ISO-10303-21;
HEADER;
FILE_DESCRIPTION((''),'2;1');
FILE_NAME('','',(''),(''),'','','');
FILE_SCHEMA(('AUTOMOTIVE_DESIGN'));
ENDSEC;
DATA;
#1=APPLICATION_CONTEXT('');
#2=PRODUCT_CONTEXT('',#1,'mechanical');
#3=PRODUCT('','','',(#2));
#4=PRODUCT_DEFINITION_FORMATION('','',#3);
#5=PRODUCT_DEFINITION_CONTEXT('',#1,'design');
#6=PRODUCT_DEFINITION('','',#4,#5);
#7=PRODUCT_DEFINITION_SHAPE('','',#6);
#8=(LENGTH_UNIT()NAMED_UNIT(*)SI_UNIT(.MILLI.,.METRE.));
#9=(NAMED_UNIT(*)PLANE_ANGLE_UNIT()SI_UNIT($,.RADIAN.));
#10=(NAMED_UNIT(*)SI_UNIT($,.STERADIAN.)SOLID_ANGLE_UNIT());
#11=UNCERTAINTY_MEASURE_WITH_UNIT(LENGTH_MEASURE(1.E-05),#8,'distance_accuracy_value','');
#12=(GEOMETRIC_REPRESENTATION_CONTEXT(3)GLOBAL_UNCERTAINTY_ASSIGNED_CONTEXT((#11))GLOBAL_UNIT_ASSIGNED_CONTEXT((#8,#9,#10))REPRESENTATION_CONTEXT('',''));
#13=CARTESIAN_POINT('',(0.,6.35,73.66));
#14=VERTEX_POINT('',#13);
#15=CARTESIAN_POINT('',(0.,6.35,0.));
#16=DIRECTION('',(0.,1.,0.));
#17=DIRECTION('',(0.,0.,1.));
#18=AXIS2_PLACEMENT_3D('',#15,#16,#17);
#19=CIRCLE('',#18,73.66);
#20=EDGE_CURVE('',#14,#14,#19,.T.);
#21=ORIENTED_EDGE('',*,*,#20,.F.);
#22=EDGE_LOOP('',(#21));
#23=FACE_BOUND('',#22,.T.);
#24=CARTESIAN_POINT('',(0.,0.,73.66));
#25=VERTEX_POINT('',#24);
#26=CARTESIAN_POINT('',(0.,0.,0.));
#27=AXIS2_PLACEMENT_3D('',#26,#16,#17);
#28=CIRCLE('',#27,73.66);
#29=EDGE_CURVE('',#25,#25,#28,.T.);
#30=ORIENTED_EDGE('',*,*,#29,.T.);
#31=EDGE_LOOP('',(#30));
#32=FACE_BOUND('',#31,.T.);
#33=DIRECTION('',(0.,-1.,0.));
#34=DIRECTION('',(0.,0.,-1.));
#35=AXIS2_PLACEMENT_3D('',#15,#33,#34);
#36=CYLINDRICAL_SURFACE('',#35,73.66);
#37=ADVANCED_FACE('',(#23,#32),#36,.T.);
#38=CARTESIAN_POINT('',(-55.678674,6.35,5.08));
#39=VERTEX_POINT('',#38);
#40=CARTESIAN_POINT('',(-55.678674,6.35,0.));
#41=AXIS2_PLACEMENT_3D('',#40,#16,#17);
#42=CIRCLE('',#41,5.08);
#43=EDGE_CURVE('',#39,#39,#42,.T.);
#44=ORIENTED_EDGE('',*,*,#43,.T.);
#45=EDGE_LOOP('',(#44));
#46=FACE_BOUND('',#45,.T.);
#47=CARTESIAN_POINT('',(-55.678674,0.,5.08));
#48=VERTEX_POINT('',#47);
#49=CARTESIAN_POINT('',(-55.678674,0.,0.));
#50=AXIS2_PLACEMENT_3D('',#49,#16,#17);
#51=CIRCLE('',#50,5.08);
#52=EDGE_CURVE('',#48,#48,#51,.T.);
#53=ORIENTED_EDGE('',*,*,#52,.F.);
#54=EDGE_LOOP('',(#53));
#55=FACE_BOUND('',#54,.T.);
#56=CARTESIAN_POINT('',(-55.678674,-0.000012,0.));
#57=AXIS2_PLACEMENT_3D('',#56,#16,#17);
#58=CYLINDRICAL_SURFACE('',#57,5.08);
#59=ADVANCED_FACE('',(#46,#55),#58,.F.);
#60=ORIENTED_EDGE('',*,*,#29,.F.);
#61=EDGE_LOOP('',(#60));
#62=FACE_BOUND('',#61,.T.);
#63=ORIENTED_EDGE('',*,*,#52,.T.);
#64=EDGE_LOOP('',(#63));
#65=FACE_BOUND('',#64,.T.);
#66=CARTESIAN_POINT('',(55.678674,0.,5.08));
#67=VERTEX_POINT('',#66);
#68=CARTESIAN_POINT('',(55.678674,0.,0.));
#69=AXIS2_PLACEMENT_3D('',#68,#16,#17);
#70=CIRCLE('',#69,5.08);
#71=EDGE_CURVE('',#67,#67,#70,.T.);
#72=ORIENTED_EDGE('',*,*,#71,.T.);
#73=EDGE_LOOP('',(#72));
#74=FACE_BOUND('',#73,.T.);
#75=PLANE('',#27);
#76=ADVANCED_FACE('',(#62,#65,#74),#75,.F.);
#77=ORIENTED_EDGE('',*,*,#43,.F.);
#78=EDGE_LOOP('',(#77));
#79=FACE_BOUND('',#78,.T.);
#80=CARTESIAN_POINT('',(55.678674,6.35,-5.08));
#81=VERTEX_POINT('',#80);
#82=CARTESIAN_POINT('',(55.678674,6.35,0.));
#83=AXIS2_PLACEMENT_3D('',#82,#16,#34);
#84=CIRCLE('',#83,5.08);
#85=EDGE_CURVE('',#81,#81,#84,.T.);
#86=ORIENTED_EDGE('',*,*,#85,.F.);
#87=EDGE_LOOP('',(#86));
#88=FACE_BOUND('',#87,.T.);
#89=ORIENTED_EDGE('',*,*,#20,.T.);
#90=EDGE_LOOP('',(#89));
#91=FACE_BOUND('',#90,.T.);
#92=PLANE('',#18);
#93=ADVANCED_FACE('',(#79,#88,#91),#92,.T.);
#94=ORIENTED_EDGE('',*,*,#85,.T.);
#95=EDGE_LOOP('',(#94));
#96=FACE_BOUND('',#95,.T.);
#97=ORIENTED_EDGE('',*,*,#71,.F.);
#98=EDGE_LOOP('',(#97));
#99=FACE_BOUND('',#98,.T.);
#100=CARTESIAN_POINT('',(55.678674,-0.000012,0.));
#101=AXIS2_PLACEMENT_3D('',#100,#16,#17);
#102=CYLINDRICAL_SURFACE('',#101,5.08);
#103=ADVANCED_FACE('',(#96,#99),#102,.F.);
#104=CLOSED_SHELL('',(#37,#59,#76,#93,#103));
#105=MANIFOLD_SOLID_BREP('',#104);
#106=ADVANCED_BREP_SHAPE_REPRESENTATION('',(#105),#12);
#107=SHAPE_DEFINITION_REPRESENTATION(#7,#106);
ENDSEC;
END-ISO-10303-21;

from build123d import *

# Parameters (mm, degrees)
SKETCH1_R               = 73.66
BOSS_EXTRUDE1_DEPTH     = 6.35
SKETCH2_R               = 5.08
CUT_EXTRUDE1_DEPTH      = 7.35
CUT_EXTRUDE1_DEPTH_BACK = 1


with BuildPart() as part:
    # Sketch1 → Boss-Extrude1 (new body)
    with BuildSketch(Plane(origin=(0, 0, 0), x_dir=(1, 0, 0), z_dir=(0, 1, 0))):
        Circle(SKETCH1_R)
    extrude(amount=BOSS_EXTRUDE1_DEPTH)

    # Sketch2 → Cut-Extrude1 (cut, two sides)
    with BuildSketch(Plane(origin=(0, 0, 0), x_dir=(1, 0, 0), z_dir=(0, 1, 0))) as cut_extrude1_sk:
        with Locations((-55.67867444, 0)):
            Circle(SKETCH2_R)
        with Locations((55.67867444, 0)):
            Circle(SKETCH2_R)
    extrude(amount=CUT_EXTRUDE1_DEPTH, mode=Mode.SUBTRACT)
    extrude(cut_extrude1_sk.sketch, amount=-CUT_EXTRUDE1_DEPTH_BACK, mode=Mode.SUBTRACT)


solid = part.part
